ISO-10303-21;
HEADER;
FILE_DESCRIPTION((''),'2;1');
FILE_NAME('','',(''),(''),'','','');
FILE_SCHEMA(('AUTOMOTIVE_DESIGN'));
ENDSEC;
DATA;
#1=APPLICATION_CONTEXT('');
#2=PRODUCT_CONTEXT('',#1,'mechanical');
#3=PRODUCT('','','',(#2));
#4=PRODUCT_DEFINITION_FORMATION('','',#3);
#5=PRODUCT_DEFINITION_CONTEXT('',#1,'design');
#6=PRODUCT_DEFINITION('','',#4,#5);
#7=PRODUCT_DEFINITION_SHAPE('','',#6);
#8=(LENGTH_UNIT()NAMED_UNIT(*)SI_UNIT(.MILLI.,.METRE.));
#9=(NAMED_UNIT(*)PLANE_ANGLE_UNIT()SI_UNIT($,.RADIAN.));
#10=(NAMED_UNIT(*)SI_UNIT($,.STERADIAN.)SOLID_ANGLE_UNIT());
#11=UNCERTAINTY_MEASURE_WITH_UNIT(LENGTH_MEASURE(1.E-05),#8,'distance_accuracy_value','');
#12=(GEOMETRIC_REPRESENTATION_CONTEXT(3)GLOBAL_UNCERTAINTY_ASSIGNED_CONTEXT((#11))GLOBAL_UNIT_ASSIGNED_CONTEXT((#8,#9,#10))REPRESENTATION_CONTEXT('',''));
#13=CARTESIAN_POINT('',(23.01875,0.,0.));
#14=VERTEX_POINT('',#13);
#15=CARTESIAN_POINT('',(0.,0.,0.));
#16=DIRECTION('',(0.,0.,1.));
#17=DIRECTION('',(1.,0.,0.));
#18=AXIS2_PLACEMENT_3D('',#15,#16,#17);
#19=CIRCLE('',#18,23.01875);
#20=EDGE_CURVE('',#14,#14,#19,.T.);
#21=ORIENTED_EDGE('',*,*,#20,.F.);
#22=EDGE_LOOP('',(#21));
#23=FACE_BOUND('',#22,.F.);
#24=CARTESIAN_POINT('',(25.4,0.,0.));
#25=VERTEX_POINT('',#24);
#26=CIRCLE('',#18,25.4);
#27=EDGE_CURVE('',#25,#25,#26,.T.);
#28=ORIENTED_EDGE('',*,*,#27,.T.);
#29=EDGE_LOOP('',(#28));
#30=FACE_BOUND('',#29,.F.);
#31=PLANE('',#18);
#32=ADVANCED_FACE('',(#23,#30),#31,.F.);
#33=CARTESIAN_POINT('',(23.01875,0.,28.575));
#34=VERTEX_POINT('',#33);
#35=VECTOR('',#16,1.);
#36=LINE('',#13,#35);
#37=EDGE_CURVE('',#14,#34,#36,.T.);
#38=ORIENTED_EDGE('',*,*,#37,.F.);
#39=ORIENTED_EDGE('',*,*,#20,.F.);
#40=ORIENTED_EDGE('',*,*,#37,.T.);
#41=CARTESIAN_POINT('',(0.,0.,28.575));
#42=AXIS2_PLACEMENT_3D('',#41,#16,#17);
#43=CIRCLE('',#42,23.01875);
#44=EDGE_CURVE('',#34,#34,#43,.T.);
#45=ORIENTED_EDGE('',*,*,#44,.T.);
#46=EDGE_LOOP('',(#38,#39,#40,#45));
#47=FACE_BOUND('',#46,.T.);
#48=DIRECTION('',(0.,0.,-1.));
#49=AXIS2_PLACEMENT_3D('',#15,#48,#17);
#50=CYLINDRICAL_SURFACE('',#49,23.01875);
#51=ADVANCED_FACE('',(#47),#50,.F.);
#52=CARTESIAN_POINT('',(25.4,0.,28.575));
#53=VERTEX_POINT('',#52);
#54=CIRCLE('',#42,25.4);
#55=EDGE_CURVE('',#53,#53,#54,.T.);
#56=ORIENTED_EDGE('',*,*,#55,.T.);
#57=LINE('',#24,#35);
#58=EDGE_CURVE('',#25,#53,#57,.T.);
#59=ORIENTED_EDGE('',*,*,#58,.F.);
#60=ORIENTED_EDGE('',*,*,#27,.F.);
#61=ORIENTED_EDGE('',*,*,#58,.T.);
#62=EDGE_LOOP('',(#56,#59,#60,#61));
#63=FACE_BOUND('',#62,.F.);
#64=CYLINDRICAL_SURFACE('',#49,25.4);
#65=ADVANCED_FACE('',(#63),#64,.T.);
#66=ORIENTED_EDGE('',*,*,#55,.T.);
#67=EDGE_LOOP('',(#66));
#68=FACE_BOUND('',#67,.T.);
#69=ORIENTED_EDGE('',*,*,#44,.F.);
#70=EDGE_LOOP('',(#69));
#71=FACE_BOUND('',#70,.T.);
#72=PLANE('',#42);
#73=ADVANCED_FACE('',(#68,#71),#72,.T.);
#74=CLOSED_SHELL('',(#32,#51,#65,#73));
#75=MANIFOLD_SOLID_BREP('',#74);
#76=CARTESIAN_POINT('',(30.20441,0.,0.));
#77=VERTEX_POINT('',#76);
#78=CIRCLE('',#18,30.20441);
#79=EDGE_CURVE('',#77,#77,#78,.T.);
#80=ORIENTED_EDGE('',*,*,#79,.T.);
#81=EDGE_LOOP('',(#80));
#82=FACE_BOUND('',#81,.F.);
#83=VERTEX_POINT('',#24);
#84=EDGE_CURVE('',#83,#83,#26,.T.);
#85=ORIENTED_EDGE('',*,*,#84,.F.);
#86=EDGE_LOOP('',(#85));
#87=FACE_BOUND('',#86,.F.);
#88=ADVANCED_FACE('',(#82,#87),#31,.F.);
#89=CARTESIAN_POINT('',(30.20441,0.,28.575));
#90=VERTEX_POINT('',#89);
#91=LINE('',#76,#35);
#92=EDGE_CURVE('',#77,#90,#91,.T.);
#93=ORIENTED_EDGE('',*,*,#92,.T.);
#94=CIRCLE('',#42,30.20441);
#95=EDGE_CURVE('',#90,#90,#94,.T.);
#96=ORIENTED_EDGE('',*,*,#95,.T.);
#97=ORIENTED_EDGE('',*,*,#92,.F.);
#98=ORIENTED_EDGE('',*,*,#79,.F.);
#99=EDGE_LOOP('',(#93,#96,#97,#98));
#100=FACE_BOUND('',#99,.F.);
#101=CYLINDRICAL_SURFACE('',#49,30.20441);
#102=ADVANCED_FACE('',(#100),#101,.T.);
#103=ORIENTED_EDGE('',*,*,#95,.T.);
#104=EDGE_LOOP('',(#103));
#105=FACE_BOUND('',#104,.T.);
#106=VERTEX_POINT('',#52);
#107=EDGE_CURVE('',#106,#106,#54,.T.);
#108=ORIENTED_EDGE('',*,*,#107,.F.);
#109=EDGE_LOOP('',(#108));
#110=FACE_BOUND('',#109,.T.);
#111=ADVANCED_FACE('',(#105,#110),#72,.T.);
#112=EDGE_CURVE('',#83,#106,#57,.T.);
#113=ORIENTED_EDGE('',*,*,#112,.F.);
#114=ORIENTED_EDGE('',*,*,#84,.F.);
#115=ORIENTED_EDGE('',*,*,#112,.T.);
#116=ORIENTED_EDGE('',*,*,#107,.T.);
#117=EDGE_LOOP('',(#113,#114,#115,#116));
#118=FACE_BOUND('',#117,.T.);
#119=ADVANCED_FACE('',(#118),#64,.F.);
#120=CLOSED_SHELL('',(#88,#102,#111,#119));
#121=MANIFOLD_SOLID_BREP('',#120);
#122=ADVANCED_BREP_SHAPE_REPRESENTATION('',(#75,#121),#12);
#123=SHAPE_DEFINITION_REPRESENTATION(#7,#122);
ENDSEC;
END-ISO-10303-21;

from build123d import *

# Parameters (mm, degrees)
F0_R     = 23.01875
F1_DEPTH = 28.575
F0_R_2   = 30.20441
F0_R_3   = 25.4
F2_DEPTH = 28.575
F3_DEPTH = 28.575
F4_DEPTH = 76.2


with BuildPart() as f1:
    # F0 (on Top) → F1 (new body)
    with BuildSketch(Plane.XY):
        Circle(F0_R)
    extrude(amount=F1_DEPTH)

    # F4 (cut): a face of the model
    f4_faces = [f1.faces().sort_by_distance(p)[0] for p in [
        (0, 0, 28.575),
    ]]
    extrude(f4_faces, amount=-F4_DEPTH, mode=Mode.SUBTRACT)


with BuildPart() as f2:
    # F0 (on Top) → F2 (new body)
    with BuildSketch(Plane.XY):
        Circle(F0_R_2)
        Circle(F0_R_3, mode=Mode.SUBTRACT)
    extrude(amount=F2_DEPTH)


with BuildPart() as f3:
    # F0 (on Top) → F3 (new body)
    with BuildSketch(Plane.XY):
        Circle(F0_R_3)
        Circle(F0_R, mode=Mode.SUBTRACT)
    extrude(amount=F3_DEPTH)


solid = Compound([f2.part, f3.part])
